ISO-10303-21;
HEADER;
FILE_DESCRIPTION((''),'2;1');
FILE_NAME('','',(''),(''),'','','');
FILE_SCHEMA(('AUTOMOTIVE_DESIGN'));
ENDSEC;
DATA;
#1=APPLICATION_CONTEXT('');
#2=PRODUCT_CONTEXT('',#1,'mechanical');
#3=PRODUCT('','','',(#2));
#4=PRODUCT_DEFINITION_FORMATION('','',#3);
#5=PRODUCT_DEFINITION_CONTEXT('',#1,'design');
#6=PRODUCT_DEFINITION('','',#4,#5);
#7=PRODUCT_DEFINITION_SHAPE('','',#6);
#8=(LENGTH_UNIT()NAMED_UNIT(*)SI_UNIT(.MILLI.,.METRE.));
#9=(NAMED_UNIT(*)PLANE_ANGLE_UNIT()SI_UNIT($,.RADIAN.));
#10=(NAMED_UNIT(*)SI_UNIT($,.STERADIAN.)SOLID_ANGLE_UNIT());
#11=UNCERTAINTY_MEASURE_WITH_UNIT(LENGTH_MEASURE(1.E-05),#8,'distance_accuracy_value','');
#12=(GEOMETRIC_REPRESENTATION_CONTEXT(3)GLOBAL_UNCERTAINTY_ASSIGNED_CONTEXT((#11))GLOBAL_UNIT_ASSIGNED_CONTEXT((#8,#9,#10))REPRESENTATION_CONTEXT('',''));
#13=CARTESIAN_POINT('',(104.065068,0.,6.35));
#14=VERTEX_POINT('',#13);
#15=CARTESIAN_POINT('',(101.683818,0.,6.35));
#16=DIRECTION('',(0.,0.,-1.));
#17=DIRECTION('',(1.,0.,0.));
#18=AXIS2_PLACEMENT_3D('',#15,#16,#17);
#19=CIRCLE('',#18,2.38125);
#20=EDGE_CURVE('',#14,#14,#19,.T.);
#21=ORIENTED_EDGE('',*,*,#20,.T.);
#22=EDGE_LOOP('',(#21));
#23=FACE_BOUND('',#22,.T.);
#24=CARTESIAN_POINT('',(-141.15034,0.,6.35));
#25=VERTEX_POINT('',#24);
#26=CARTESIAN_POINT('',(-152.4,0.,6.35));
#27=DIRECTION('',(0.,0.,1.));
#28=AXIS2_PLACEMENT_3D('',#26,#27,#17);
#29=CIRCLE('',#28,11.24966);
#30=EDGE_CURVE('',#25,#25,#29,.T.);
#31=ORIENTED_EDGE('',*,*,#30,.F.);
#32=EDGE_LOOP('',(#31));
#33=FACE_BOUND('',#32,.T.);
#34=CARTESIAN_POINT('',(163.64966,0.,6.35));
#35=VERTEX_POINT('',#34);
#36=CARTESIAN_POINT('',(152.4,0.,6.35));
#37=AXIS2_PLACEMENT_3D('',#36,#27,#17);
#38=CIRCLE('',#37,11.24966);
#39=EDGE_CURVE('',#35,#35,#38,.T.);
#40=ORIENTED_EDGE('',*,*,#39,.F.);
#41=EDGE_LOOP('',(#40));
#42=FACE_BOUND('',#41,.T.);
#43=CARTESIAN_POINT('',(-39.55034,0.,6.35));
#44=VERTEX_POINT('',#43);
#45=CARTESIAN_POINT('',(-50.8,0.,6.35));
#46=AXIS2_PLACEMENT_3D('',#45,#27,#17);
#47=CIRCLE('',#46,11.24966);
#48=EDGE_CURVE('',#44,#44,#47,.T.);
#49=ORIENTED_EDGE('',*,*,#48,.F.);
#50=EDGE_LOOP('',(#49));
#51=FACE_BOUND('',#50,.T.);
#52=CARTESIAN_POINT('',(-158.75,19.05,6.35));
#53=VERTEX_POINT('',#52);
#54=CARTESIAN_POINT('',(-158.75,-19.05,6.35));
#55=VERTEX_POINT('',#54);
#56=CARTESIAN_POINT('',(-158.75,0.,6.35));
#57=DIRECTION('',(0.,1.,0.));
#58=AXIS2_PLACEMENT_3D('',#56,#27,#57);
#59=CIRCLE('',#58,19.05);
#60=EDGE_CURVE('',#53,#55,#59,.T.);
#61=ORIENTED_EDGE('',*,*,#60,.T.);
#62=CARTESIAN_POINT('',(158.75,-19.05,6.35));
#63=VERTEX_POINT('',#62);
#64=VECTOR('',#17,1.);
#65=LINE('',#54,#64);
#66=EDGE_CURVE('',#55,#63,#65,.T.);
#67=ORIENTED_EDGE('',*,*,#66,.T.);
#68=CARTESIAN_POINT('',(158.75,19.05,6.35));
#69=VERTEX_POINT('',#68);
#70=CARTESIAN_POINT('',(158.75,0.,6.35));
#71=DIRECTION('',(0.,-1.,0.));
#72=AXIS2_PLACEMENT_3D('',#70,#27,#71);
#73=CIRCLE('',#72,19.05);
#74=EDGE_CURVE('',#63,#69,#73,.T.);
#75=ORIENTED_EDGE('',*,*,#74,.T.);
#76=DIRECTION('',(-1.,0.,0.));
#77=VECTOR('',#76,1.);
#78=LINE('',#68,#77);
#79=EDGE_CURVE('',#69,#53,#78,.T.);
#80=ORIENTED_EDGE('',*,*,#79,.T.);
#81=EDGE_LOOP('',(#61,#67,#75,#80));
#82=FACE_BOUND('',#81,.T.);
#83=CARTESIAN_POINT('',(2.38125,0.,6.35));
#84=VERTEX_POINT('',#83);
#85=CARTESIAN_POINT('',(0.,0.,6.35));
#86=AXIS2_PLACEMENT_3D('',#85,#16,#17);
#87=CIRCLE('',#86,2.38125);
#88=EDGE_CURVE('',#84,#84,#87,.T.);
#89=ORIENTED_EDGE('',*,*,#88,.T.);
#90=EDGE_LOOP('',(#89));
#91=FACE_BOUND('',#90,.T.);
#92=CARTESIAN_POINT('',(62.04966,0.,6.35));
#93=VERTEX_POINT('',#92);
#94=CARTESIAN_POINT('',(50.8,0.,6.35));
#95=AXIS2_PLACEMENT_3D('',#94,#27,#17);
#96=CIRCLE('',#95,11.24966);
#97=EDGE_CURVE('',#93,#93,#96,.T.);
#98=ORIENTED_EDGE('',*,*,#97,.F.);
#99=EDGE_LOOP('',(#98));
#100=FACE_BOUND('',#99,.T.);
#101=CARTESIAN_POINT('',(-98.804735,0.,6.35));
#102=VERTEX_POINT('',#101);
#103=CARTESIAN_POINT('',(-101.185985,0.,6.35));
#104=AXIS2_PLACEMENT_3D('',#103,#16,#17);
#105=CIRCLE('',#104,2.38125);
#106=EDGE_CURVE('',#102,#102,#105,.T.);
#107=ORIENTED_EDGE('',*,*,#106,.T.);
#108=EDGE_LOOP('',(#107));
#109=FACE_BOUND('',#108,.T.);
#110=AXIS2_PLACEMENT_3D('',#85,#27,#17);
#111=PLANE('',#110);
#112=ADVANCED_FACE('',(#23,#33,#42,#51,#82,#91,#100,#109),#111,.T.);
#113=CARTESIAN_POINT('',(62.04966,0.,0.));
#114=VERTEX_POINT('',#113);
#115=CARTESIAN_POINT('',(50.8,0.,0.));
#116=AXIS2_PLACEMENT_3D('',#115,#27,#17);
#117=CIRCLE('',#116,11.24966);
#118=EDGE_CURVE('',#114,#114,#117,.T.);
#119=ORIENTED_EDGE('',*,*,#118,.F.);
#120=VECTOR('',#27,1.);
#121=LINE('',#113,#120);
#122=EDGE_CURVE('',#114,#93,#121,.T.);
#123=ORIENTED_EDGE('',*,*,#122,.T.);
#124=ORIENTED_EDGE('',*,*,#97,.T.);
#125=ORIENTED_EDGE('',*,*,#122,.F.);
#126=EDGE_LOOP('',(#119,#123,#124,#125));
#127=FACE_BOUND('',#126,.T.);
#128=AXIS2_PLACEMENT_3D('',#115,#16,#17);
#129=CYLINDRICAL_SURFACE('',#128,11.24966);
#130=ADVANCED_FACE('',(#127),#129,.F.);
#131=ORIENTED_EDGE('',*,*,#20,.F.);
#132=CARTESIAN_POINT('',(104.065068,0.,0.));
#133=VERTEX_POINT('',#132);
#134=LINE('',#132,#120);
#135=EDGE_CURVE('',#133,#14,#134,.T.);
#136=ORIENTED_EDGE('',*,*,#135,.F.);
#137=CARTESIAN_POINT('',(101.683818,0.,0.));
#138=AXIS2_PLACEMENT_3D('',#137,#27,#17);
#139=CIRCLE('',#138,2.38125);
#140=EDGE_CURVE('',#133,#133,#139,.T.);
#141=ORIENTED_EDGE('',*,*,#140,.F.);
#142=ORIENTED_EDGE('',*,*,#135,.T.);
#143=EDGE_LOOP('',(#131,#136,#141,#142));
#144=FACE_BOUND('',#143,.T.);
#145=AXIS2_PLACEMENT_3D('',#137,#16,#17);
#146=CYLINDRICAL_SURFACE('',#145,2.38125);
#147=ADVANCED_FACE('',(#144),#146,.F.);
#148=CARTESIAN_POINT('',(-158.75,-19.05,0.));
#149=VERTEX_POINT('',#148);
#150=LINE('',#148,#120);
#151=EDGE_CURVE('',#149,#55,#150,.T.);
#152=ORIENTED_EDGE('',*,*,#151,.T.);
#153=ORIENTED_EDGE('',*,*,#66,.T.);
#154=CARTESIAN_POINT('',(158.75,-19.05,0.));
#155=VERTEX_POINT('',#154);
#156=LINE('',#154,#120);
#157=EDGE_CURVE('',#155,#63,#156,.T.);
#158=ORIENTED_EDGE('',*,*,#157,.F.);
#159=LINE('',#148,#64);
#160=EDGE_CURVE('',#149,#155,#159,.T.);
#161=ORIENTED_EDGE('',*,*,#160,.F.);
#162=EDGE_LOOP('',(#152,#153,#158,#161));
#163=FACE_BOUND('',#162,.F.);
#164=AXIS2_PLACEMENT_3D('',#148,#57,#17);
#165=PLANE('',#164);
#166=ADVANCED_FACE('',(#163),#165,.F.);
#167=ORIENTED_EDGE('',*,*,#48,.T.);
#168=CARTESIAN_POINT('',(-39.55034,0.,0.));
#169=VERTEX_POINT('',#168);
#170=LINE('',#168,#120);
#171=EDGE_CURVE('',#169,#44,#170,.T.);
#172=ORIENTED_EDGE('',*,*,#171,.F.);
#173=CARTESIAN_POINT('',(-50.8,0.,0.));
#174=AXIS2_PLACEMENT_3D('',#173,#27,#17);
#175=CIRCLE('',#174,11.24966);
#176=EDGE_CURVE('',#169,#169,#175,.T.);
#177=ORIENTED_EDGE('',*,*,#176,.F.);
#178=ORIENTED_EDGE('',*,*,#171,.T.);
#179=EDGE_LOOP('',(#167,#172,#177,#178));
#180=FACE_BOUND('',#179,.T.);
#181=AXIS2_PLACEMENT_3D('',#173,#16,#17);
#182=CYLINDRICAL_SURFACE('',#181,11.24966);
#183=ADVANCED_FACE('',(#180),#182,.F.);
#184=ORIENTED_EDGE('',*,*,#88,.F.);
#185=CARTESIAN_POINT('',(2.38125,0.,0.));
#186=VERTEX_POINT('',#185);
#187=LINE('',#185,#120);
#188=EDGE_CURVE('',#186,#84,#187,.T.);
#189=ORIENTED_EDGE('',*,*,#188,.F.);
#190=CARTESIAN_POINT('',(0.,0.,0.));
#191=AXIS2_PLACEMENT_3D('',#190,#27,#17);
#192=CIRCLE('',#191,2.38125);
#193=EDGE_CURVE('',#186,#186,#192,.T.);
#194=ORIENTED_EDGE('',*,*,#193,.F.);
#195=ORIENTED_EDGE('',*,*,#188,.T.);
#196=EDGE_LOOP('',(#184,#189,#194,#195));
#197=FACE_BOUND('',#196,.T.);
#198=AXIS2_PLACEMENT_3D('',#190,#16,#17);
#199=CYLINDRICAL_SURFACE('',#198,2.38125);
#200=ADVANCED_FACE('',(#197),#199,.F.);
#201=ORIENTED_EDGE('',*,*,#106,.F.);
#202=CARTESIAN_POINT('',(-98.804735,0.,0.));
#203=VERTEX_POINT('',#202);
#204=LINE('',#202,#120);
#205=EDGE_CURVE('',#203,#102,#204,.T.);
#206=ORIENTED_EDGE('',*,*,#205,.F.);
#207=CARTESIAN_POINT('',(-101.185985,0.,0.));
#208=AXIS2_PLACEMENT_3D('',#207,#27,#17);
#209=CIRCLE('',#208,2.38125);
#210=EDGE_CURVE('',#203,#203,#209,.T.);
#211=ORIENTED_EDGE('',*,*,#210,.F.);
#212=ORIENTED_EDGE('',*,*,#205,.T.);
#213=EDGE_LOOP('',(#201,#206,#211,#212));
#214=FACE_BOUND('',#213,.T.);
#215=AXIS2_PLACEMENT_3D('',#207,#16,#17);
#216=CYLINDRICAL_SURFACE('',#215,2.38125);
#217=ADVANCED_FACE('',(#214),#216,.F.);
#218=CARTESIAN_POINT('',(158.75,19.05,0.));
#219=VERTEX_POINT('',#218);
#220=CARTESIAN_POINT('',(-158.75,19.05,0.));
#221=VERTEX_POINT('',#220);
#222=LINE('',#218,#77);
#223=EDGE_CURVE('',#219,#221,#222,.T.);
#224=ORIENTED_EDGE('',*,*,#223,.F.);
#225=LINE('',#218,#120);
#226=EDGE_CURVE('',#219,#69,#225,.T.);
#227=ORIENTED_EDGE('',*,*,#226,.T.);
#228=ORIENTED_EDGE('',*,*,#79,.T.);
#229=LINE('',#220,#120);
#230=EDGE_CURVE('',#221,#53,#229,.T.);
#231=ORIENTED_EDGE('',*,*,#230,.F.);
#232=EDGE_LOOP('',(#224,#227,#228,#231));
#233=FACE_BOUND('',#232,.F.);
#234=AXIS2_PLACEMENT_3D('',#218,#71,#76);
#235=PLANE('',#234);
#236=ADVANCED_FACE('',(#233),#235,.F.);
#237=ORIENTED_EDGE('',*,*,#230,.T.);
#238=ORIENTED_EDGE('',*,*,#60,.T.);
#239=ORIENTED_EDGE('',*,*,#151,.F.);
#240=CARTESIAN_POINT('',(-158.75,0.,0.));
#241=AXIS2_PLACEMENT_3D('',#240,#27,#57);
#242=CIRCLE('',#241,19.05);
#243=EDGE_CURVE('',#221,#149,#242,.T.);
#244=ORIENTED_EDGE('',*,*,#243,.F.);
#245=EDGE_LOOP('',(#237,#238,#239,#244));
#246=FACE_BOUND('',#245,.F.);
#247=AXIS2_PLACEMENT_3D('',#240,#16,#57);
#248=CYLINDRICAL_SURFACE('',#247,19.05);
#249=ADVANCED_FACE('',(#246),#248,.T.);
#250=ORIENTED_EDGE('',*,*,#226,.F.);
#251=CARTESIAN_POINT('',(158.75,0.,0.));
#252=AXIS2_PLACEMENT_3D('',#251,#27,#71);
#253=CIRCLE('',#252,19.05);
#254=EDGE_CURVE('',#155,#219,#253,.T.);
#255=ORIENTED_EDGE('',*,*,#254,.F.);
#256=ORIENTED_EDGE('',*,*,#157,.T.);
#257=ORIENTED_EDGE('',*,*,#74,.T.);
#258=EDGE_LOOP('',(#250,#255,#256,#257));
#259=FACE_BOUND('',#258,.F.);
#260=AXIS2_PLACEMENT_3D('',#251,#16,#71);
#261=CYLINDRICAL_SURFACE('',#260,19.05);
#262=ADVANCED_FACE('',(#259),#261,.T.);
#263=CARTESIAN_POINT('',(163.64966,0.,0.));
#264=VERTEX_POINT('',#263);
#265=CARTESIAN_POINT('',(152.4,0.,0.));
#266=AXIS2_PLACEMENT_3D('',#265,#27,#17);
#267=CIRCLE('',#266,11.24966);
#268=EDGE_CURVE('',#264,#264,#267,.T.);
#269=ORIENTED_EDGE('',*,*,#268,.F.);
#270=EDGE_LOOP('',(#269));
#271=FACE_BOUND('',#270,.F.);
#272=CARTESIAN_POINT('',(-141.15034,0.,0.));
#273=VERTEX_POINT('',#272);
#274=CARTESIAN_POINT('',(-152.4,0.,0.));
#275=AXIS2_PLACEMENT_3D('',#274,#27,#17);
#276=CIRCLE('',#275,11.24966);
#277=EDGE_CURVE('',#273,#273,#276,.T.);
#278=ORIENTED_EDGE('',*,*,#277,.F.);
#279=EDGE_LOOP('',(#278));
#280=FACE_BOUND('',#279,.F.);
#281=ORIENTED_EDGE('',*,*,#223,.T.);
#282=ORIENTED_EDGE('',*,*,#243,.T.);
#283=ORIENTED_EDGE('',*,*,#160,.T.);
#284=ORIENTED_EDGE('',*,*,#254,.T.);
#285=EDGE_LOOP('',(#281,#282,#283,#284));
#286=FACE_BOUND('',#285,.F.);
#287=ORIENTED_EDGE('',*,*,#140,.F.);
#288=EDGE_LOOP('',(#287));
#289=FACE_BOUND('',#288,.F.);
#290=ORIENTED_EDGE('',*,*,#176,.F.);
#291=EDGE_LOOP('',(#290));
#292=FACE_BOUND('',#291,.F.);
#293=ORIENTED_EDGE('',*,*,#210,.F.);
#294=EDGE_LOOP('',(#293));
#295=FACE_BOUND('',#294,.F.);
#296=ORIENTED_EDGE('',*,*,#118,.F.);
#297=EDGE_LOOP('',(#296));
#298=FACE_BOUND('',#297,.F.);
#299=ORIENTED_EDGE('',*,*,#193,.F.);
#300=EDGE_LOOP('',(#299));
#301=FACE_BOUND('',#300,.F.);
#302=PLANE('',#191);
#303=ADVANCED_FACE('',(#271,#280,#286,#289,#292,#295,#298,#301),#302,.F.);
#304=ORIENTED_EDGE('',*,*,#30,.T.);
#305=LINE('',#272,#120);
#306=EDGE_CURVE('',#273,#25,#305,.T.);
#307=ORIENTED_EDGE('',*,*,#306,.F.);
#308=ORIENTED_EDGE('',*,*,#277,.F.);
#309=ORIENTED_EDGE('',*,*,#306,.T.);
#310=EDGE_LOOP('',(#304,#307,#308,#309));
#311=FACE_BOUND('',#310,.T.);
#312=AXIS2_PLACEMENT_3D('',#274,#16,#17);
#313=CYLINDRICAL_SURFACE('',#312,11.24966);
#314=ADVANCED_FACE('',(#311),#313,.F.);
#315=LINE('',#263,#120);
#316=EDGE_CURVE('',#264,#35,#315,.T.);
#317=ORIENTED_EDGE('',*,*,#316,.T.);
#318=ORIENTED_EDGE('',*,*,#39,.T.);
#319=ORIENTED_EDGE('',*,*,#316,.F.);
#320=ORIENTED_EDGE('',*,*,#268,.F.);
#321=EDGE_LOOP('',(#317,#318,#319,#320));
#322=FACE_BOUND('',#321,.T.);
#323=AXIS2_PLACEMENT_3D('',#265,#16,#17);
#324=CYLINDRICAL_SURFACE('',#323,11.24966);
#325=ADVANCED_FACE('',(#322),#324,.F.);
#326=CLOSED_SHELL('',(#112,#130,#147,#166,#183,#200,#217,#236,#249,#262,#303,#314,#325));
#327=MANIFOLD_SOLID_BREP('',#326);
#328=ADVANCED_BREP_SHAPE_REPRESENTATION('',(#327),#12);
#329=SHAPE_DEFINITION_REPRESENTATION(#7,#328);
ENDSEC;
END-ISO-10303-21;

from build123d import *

# Parameters (mm, degrees)
F0_R     = 11.24966
F2_DEPTH = 6.35
F1_R     = 2.38125
F3_DEPTH = 25.4


with BuildPart() as f2:
    # F0 (on Top) → F2 (new body)
    with BuildSketch(Plane.XY):
        with BuildLine():
            Line((158.75, 19.05), (-158.75, 19.05))
            ThreePointArc((-158.75, 19.05), (-177.8, 0), (-158.75, -19.05))
            Line((-158.75, -19.05), (158.75, -19.05))
            ThreePointArc((158.75, -19.05), (177.8, 0), (158.75, 19.05))
        make_face()
        with Locations((-152.4, 0)):
            Circle(F0_R, mode=Mode.SUBTRACT)
        with Locations((-50.8, 0)):
            Circle(F0_R, mode=Mode.SUBTRACT)
        with Locations((50.8, 0)):
            Circle(F0_R, mode=Mode.SUBTRACT)
        with Locations((152.4, 0)):
            Circle(F0_R, mode=Mode.SUBTRACT)
    extrude(amount=F2_DEPTH)

    # F1 (on Top) → F3 (cut)
    with BuildSketch(Plane.XY):
        with Locations((-101.185985, 0)):
            Circle(F1_R)
        Circle(F1_R)
        with Locations((101.683818, 0)):
            Circle(F1_R)
    extrude(amount=F3_DEPTH, mode=Mode.SUBTRACT)


solid = f2.part
